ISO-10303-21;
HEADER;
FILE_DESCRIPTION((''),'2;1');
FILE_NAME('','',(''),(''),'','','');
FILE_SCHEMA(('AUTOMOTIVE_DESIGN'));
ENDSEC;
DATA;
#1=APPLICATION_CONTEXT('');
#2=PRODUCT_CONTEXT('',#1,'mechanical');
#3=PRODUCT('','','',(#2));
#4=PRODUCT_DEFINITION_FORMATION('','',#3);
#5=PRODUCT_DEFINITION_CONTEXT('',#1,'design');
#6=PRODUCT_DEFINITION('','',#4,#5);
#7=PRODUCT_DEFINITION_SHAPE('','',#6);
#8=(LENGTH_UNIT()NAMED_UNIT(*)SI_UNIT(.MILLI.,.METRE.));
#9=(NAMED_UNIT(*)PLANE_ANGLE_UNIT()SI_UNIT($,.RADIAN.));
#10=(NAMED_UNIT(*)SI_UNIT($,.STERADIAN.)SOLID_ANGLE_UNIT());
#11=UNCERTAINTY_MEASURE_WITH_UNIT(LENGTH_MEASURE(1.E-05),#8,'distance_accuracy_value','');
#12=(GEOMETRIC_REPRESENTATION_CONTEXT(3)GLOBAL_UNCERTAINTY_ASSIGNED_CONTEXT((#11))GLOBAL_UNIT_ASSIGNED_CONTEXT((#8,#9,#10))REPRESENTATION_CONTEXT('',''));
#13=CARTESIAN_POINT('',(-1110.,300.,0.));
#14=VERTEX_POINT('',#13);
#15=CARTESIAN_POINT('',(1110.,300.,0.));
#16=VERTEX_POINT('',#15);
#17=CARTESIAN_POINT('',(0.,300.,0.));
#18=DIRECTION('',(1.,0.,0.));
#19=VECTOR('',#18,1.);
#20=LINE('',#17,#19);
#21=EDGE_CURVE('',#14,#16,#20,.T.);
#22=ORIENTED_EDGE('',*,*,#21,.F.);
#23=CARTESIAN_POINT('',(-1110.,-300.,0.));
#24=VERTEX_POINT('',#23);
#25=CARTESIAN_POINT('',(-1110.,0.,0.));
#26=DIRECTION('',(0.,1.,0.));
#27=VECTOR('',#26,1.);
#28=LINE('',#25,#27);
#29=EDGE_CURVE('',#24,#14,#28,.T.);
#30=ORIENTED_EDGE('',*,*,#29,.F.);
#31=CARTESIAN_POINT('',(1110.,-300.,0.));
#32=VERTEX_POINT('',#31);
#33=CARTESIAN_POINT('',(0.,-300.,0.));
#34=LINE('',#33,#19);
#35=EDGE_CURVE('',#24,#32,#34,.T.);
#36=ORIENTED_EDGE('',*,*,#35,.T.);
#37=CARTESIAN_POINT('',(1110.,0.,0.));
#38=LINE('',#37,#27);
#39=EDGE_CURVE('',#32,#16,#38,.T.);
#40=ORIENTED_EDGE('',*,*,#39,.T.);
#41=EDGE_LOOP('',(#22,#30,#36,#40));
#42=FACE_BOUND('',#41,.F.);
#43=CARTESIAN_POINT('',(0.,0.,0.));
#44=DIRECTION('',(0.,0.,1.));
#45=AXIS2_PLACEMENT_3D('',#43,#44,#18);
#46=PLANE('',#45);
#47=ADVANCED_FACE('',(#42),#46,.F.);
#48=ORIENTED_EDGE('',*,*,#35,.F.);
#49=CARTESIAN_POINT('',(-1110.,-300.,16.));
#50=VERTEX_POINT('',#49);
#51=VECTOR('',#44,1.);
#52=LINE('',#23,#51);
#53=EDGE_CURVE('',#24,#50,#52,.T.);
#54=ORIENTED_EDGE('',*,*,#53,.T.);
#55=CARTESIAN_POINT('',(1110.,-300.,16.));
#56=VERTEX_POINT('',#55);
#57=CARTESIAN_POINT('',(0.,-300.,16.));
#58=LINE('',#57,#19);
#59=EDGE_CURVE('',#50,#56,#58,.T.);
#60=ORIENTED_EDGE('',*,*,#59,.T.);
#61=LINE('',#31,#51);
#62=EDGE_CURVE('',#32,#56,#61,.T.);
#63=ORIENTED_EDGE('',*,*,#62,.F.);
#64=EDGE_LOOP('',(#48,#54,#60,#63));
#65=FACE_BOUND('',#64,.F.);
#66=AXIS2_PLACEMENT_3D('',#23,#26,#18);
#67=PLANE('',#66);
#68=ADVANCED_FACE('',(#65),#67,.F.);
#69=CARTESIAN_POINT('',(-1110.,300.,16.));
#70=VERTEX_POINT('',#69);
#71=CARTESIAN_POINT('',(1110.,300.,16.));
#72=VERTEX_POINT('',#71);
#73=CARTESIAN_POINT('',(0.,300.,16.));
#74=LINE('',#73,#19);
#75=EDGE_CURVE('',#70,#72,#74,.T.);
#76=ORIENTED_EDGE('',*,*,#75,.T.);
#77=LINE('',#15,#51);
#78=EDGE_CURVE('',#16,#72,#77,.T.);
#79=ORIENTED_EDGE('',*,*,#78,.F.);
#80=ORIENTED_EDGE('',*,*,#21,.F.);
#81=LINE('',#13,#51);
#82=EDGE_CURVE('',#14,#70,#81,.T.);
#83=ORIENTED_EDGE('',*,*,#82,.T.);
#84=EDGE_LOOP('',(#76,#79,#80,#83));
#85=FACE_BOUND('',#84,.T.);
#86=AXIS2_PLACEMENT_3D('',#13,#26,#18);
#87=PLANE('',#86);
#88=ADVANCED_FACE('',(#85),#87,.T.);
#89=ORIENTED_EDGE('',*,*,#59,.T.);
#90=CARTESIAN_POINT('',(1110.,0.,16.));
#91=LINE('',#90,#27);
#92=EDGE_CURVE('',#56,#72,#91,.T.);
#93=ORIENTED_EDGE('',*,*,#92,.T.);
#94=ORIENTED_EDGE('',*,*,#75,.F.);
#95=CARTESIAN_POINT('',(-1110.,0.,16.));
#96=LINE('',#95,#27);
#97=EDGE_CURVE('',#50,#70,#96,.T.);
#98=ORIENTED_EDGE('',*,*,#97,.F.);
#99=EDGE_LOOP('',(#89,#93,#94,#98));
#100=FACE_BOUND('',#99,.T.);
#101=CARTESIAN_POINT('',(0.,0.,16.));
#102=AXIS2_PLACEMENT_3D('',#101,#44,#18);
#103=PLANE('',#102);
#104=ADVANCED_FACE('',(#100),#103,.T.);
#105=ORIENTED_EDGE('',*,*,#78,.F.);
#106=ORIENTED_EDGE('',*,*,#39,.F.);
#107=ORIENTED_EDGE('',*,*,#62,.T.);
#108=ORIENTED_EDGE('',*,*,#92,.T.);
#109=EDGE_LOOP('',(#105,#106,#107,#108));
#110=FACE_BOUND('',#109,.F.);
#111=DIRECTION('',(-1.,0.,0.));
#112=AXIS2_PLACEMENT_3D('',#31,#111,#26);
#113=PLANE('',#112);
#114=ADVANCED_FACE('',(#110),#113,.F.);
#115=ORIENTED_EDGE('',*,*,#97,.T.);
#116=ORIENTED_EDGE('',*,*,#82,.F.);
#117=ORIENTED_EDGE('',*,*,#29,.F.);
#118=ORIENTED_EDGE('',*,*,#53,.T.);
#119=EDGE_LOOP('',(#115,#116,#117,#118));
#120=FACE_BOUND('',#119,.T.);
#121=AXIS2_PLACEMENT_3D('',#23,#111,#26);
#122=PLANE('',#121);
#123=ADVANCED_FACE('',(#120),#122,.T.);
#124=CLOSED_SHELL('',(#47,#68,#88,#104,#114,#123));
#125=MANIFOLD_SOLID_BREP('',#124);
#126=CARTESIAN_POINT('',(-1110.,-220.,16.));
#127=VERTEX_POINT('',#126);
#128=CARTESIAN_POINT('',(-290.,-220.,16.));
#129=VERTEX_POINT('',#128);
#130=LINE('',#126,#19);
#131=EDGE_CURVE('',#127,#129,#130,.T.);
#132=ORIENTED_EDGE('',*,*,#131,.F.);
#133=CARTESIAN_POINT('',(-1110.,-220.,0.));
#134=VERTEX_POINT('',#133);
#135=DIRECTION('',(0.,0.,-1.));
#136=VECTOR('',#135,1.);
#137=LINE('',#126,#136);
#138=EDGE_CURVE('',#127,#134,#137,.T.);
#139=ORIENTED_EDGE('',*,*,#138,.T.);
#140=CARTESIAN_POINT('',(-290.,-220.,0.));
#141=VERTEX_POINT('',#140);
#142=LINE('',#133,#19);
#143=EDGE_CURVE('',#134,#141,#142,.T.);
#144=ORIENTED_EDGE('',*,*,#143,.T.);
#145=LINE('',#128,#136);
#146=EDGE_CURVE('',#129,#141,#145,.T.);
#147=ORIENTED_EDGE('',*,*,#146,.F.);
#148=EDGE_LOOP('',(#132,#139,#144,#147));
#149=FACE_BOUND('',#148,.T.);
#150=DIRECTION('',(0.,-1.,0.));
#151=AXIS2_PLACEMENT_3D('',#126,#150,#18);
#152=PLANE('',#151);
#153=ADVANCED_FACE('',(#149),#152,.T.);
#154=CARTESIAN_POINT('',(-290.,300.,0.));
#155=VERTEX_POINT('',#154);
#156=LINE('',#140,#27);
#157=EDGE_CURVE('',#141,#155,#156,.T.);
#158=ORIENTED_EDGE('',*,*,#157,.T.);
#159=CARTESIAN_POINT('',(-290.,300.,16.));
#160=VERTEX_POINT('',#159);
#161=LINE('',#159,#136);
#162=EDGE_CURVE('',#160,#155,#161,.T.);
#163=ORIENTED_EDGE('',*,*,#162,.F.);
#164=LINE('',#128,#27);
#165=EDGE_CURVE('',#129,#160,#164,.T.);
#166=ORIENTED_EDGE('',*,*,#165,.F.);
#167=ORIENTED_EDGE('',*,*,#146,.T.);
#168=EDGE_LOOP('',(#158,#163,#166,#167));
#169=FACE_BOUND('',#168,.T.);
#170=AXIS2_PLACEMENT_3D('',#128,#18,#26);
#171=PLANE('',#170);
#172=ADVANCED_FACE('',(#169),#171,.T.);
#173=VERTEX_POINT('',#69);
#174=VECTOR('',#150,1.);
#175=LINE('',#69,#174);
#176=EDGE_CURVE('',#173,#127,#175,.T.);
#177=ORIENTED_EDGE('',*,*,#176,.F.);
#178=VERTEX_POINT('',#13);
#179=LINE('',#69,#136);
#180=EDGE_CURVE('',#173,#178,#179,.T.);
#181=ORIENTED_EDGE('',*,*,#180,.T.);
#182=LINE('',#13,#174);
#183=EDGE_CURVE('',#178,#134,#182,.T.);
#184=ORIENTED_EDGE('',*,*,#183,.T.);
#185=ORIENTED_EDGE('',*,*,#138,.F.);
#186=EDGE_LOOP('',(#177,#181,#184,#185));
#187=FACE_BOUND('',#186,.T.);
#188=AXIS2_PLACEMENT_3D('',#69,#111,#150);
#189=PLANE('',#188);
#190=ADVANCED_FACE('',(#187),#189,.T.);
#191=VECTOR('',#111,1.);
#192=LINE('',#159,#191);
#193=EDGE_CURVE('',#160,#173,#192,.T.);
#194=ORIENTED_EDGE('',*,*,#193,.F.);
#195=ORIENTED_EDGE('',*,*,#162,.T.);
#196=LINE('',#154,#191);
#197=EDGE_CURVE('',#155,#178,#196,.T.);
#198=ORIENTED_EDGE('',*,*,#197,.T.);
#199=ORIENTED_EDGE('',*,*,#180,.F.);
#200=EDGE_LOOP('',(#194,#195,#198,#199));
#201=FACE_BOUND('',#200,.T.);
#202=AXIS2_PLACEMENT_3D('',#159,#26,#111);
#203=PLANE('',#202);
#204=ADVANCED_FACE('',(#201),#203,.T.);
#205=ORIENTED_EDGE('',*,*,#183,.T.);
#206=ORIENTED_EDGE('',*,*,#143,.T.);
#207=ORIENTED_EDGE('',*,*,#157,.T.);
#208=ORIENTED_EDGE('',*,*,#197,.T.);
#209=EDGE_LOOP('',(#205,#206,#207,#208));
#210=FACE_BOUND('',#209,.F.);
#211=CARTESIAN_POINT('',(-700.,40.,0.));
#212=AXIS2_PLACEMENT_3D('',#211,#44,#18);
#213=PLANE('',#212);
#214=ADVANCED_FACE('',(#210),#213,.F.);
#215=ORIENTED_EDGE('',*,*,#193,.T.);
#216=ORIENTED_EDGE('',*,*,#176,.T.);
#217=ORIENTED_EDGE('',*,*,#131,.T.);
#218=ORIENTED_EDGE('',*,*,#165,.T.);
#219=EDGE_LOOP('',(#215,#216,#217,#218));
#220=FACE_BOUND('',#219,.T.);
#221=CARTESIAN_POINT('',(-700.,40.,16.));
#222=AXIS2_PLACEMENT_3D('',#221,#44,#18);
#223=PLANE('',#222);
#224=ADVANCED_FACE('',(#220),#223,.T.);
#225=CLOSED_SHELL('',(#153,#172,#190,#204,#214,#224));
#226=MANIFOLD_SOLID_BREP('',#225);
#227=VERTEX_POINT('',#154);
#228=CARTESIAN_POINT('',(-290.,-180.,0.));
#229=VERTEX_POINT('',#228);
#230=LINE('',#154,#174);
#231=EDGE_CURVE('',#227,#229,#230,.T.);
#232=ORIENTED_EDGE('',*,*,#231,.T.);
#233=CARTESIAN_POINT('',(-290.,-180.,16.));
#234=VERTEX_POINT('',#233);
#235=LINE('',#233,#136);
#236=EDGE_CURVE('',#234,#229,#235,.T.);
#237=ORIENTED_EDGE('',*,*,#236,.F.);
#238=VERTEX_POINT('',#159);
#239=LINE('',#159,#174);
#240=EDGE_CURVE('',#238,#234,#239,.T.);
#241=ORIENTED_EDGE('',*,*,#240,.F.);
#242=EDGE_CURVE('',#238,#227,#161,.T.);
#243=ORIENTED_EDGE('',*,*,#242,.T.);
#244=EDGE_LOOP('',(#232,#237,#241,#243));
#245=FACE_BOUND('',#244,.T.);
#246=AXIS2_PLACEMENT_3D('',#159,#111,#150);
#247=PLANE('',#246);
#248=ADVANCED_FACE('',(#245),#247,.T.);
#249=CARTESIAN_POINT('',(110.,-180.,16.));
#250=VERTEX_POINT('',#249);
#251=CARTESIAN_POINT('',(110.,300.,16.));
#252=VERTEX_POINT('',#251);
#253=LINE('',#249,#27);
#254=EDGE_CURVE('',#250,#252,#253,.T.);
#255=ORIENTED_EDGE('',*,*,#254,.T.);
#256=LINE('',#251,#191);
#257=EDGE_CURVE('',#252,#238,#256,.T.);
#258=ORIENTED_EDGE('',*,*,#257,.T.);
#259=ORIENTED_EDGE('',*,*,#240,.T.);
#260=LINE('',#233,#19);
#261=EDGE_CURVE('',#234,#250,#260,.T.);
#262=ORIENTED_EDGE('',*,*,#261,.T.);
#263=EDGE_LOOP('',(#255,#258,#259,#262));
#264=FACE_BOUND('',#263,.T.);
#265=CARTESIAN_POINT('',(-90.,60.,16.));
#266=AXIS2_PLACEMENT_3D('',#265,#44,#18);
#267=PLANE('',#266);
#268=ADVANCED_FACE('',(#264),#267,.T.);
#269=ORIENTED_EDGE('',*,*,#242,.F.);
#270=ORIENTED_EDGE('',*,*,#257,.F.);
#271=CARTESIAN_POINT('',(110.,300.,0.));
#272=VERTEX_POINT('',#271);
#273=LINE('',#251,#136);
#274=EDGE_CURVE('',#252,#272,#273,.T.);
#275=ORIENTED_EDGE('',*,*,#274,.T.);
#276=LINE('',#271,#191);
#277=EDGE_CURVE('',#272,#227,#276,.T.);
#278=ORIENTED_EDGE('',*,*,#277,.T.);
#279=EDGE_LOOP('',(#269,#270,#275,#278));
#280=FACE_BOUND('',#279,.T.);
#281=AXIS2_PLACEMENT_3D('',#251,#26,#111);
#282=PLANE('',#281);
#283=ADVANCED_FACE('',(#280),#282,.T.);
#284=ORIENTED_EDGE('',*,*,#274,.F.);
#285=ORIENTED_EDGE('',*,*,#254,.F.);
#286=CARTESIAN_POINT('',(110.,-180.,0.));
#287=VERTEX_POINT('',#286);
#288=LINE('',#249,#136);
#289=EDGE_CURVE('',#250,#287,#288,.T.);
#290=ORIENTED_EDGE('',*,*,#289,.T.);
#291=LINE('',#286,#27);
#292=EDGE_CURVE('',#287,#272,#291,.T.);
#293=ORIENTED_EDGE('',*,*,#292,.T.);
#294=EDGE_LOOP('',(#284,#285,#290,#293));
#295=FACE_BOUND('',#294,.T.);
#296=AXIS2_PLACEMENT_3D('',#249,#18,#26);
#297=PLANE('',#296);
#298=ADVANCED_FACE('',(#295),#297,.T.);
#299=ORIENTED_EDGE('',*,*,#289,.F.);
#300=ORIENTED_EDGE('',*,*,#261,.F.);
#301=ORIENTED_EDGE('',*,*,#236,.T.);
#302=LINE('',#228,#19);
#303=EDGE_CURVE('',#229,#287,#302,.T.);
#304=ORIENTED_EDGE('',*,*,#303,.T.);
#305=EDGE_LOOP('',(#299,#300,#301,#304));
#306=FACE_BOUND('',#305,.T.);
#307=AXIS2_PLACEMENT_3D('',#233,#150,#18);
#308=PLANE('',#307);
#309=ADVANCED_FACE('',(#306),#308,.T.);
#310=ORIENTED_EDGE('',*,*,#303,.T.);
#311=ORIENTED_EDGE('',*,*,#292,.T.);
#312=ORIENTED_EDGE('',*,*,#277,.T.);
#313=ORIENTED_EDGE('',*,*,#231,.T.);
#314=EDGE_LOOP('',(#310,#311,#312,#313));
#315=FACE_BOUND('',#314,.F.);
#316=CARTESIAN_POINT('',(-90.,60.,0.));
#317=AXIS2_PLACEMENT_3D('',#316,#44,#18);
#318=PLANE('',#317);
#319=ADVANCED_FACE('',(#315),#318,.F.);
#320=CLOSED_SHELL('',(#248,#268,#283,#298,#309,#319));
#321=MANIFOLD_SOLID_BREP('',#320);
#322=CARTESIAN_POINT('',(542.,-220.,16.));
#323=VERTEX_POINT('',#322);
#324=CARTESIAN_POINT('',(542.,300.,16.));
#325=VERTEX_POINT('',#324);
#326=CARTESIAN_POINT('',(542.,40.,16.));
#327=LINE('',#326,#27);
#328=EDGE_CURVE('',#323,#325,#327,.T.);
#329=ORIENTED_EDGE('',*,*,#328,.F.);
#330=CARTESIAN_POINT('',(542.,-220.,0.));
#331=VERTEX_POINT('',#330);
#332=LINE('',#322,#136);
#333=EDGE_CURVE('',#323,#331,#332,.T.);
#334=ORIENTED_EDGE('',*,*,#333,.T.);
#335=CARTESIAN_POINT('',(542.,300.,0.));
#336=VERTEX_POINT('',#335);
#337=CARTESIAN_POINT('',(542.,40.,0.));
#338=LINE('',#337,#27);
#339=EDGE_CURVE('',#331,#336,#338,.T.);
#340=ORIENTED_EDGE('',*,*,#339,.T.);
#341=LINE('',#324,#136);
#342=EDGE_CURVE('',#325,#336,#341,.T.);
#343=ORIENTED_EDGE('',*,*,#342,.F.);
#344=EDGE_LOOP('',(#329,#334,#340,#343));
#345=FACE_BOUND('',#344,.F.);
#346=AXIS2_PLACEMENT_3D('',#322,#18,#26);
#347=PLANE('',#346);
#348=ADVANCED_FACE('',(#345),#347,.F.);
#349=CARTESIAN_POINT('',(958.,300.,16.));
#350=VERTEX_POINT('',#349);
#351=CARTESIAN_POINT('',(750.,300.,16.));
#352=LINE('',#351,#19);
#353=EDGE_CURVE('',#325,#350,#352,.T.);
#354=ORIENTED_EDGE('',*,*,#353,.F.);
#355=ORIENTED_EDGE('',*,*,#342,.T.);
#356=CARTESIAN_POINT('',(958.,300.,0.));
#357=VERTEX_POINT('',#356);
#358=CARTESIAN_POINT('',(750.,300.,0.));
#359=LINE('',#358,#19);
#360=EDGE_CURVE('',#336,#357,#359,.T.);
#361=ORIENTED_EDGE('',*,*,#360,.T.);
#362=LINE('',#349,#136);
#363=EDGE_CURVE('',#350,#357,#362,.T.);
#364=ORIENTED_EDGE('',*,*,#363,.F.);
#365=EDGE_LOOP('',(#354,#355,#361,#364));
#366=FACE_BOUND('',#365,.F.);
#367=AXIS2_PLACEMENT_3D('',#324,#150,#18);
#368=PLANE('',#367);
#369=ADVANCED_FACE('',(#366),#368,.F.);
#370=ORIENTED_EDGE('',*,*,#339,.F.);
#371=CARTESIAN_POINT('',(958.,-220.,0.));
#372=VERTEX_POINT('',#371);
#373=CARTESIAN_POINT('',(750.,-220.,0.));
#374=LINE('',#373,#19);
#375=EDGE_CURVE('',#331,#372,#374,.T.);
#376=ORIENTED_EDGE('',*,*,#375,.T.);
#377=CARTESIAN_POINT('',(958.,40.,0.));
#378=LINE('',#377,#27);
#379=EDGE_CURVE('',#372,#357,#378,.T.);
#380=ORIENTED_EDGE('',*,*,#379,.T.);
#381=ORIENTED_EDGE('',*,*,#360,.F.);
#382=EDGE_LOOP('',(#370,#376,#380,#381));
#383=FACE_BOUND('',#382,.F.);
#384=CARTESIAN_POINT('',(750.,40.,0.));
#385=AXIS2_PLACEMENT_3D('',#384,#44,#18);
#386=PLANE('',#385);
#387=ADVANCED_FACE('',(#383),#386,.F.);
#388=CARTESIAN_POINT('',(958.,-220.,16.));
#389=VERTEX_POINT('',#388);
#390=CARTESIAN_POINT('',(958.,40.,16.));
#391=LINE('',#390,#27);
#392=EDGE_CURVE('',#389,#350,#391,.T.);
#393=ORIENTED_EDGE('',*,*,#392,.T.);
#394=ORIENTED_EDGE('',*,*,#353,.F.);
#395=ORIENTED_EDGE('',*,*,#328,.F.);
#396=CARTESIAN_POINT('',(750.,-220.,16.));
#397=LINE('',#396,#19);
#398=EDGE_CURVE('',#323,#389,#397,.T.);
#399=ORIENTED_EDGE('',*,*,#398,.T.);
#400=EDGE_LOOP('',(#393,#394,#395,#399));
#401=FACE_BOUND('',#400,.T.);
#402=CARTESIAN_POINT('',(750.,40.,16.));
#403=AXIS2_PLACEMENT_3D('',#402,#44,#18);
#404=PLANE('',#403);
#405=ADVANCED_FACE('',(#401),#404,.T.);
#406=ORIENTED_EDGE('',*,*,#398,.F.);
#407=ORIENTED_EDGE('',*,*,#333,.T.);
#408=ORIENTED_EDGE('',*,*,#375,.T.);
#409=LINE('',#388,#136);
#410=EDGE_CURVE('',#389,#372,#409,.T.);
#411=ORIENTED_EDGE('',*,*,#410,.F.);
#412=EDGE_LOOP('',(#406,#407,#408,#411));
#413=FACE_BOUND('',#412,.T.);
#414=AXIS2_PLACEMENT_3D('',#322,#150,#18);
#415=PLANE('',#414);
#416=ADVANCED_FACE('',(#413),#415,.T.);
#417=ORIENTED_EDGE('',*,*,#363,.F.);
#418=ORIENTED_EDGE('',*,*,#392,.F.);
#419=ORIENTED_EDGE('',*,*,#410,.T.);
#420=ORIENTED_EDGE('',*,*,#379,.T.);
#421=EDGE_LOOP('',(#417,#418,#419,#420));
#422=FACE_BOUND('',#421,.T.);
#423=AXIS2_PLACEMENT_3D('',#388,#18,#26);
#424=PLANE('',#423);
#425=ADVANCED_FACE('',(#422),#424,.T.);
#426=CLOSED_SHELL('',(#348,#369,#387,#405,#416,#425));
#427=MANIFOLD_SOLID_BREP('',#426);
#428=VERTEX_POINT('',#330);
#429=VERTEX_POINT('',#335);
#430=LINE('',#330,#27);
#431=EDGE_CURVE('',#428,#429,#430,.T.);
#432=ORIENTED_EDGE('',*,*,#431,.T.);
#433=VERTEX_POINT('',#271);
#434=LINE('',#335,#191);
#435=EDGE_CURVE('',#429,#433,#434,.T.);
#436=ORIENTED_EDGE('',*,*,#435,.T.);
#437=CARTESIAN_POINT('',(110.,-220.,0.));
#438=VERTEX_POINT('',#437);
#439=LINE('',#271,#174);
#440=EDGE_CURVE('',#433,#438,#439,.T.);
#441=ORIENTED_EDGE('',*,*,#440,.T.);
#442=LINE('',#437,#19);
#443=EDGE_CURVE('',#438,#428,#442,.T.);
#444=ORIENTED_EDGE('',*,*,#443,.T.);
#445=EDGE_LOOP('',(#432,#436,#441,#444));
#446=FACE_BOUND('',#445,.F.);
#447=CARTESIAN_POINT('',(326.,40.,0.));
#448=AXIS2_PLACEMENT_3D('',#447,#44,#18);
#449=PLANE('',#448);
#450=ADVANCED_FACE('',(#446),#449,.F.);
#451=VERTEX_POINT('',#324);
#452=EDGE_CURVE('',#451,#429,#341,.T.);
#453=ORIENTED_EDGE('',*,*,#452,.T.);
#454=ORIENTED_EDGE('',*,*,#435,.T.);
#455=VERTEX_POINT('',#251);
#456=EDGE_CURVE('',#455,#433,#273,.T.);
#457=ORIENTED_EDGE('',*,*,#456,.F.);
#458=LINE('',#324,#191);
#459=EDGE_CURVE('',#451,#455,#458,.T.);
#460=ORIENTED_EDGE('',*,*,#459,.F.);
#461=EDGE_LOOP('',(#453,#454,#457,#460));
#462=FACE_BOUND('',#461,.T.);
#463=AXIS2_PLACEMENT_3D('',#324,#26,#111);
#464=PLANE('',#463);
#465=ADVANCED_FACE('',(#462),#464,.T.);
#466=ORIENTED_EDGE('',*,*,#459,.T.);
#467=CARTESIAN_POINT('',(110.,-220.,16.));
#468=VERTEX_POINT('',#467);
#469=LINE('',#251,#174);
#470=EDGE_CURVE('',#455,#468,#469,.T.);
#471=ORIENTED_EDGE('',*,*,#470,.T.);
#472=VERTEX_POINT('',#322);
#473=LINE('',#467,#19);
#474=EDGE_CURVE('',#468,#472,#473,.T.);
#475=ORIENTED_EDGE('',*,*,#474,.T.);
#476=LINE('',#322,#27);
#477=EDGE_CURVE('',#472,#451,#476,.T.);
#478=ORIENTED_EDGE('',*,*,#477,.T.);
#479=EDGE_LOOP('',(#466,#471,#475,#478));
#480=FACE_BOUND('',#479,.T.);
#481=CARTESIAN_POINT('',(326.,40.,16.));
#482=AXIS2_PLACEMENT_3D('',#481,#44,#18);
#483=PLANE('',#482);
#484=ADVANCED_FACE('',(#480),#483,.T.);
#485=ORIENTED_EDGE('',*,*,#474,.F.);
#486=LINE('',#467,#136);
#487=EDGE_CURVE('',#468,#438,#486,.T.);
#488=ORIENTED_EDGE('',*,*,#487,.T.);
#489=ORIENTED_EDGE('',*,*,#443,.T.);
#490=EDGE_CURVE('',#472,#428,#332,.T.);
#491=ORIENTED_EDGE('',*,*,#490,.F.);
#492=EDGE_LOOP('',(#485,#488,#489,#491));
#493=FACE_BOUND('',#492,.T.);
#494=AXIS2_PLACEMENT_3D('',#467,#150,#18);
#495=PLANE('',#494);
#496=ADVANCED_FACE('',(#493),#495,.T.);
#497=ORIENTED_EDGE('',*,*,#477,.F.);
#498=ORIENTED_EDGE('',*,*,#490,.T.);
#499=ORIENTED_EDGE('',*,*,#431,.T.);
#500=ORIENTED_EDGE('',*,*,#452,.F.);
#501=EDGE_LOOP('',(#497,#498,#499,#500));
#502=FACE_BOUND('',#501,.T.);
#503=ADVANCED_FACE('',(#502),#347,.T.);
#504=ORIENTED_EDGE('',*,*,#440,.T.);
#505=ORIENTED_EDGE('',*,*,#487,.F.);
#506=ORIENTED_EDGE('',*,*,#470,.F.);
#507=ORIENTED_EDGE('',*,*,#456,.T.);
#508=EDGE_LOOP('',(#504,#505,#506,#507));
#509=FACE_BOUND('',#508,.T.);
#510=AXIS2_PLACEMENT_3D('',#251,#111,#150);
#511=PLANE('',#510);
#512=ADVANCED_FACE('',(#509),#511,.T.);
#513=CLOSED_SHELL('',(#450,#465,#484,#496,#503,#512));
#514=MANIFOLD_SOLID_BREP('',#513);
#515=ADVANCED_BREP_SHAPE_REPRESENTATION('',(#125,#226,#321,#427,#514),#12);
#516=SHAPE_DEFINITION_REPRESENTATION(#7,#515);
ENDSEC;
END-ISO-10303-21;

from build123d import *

# Parameters (mm, degrees)
F0_W     = 2220
F0_H     = 600
F1_DEPTH = 16
F3_DEPTH = 16
F4_DEPTH = 16
F5_DEPTH = 16
F2_W     = 416
F2_H     = 520
F6_DEPTH = 16


with BuildPart() as f1:
    # F0 (on Top) → F1 (new body)
    with BuildSketch(Plane.XY):
        Rectangle(F0_W, F0_H)
    extrude(amount=F1_DEPTH)


with BuildPart() as f3:
    # F2 (on face) → F3 (new body)
    with BuildSketch(Plane.XY.offset(16)):
        Polygon((-290, 300), (-1110, 300), (-1110, -220), (-290, -220), (-290, -180), (-290, -100), align=None)
    extrude(amount=-F3_DEPTH)


with BuildPart() as f4:
    # F2 (on face) → F4 (new body)
    with BuildSketch(Plane.XY.offset(16)):
        Polygon((110, 300), (-290, 300), (-290, -100), (-290, -180), (110, -180), align=None)
    extrude(amount=-F4_DEPTH)


with BuildPart() as f5:
    # F2 (on face) → F5 (new body)
    with BuildSketch(Plane.XY.offset(16)):
        Polygon((542, 300), (110, 300), (110, -180), (110, -220), (542, -220), align=None)
    extrude(amount=-F5_DEPTH)


with BuildPart() as f6:
    # F2 (on face) → F6 (new body)
    with BuildSketch(Plane.XY.offset(16)):
        with Locations((750, 40)):
            Rectangle(F2_W, F2_H)
    extrude(amount=-F6_DEPTH)


solid = Compound([f1.part, f3.part, f4.part, f5.part, f6.part])
